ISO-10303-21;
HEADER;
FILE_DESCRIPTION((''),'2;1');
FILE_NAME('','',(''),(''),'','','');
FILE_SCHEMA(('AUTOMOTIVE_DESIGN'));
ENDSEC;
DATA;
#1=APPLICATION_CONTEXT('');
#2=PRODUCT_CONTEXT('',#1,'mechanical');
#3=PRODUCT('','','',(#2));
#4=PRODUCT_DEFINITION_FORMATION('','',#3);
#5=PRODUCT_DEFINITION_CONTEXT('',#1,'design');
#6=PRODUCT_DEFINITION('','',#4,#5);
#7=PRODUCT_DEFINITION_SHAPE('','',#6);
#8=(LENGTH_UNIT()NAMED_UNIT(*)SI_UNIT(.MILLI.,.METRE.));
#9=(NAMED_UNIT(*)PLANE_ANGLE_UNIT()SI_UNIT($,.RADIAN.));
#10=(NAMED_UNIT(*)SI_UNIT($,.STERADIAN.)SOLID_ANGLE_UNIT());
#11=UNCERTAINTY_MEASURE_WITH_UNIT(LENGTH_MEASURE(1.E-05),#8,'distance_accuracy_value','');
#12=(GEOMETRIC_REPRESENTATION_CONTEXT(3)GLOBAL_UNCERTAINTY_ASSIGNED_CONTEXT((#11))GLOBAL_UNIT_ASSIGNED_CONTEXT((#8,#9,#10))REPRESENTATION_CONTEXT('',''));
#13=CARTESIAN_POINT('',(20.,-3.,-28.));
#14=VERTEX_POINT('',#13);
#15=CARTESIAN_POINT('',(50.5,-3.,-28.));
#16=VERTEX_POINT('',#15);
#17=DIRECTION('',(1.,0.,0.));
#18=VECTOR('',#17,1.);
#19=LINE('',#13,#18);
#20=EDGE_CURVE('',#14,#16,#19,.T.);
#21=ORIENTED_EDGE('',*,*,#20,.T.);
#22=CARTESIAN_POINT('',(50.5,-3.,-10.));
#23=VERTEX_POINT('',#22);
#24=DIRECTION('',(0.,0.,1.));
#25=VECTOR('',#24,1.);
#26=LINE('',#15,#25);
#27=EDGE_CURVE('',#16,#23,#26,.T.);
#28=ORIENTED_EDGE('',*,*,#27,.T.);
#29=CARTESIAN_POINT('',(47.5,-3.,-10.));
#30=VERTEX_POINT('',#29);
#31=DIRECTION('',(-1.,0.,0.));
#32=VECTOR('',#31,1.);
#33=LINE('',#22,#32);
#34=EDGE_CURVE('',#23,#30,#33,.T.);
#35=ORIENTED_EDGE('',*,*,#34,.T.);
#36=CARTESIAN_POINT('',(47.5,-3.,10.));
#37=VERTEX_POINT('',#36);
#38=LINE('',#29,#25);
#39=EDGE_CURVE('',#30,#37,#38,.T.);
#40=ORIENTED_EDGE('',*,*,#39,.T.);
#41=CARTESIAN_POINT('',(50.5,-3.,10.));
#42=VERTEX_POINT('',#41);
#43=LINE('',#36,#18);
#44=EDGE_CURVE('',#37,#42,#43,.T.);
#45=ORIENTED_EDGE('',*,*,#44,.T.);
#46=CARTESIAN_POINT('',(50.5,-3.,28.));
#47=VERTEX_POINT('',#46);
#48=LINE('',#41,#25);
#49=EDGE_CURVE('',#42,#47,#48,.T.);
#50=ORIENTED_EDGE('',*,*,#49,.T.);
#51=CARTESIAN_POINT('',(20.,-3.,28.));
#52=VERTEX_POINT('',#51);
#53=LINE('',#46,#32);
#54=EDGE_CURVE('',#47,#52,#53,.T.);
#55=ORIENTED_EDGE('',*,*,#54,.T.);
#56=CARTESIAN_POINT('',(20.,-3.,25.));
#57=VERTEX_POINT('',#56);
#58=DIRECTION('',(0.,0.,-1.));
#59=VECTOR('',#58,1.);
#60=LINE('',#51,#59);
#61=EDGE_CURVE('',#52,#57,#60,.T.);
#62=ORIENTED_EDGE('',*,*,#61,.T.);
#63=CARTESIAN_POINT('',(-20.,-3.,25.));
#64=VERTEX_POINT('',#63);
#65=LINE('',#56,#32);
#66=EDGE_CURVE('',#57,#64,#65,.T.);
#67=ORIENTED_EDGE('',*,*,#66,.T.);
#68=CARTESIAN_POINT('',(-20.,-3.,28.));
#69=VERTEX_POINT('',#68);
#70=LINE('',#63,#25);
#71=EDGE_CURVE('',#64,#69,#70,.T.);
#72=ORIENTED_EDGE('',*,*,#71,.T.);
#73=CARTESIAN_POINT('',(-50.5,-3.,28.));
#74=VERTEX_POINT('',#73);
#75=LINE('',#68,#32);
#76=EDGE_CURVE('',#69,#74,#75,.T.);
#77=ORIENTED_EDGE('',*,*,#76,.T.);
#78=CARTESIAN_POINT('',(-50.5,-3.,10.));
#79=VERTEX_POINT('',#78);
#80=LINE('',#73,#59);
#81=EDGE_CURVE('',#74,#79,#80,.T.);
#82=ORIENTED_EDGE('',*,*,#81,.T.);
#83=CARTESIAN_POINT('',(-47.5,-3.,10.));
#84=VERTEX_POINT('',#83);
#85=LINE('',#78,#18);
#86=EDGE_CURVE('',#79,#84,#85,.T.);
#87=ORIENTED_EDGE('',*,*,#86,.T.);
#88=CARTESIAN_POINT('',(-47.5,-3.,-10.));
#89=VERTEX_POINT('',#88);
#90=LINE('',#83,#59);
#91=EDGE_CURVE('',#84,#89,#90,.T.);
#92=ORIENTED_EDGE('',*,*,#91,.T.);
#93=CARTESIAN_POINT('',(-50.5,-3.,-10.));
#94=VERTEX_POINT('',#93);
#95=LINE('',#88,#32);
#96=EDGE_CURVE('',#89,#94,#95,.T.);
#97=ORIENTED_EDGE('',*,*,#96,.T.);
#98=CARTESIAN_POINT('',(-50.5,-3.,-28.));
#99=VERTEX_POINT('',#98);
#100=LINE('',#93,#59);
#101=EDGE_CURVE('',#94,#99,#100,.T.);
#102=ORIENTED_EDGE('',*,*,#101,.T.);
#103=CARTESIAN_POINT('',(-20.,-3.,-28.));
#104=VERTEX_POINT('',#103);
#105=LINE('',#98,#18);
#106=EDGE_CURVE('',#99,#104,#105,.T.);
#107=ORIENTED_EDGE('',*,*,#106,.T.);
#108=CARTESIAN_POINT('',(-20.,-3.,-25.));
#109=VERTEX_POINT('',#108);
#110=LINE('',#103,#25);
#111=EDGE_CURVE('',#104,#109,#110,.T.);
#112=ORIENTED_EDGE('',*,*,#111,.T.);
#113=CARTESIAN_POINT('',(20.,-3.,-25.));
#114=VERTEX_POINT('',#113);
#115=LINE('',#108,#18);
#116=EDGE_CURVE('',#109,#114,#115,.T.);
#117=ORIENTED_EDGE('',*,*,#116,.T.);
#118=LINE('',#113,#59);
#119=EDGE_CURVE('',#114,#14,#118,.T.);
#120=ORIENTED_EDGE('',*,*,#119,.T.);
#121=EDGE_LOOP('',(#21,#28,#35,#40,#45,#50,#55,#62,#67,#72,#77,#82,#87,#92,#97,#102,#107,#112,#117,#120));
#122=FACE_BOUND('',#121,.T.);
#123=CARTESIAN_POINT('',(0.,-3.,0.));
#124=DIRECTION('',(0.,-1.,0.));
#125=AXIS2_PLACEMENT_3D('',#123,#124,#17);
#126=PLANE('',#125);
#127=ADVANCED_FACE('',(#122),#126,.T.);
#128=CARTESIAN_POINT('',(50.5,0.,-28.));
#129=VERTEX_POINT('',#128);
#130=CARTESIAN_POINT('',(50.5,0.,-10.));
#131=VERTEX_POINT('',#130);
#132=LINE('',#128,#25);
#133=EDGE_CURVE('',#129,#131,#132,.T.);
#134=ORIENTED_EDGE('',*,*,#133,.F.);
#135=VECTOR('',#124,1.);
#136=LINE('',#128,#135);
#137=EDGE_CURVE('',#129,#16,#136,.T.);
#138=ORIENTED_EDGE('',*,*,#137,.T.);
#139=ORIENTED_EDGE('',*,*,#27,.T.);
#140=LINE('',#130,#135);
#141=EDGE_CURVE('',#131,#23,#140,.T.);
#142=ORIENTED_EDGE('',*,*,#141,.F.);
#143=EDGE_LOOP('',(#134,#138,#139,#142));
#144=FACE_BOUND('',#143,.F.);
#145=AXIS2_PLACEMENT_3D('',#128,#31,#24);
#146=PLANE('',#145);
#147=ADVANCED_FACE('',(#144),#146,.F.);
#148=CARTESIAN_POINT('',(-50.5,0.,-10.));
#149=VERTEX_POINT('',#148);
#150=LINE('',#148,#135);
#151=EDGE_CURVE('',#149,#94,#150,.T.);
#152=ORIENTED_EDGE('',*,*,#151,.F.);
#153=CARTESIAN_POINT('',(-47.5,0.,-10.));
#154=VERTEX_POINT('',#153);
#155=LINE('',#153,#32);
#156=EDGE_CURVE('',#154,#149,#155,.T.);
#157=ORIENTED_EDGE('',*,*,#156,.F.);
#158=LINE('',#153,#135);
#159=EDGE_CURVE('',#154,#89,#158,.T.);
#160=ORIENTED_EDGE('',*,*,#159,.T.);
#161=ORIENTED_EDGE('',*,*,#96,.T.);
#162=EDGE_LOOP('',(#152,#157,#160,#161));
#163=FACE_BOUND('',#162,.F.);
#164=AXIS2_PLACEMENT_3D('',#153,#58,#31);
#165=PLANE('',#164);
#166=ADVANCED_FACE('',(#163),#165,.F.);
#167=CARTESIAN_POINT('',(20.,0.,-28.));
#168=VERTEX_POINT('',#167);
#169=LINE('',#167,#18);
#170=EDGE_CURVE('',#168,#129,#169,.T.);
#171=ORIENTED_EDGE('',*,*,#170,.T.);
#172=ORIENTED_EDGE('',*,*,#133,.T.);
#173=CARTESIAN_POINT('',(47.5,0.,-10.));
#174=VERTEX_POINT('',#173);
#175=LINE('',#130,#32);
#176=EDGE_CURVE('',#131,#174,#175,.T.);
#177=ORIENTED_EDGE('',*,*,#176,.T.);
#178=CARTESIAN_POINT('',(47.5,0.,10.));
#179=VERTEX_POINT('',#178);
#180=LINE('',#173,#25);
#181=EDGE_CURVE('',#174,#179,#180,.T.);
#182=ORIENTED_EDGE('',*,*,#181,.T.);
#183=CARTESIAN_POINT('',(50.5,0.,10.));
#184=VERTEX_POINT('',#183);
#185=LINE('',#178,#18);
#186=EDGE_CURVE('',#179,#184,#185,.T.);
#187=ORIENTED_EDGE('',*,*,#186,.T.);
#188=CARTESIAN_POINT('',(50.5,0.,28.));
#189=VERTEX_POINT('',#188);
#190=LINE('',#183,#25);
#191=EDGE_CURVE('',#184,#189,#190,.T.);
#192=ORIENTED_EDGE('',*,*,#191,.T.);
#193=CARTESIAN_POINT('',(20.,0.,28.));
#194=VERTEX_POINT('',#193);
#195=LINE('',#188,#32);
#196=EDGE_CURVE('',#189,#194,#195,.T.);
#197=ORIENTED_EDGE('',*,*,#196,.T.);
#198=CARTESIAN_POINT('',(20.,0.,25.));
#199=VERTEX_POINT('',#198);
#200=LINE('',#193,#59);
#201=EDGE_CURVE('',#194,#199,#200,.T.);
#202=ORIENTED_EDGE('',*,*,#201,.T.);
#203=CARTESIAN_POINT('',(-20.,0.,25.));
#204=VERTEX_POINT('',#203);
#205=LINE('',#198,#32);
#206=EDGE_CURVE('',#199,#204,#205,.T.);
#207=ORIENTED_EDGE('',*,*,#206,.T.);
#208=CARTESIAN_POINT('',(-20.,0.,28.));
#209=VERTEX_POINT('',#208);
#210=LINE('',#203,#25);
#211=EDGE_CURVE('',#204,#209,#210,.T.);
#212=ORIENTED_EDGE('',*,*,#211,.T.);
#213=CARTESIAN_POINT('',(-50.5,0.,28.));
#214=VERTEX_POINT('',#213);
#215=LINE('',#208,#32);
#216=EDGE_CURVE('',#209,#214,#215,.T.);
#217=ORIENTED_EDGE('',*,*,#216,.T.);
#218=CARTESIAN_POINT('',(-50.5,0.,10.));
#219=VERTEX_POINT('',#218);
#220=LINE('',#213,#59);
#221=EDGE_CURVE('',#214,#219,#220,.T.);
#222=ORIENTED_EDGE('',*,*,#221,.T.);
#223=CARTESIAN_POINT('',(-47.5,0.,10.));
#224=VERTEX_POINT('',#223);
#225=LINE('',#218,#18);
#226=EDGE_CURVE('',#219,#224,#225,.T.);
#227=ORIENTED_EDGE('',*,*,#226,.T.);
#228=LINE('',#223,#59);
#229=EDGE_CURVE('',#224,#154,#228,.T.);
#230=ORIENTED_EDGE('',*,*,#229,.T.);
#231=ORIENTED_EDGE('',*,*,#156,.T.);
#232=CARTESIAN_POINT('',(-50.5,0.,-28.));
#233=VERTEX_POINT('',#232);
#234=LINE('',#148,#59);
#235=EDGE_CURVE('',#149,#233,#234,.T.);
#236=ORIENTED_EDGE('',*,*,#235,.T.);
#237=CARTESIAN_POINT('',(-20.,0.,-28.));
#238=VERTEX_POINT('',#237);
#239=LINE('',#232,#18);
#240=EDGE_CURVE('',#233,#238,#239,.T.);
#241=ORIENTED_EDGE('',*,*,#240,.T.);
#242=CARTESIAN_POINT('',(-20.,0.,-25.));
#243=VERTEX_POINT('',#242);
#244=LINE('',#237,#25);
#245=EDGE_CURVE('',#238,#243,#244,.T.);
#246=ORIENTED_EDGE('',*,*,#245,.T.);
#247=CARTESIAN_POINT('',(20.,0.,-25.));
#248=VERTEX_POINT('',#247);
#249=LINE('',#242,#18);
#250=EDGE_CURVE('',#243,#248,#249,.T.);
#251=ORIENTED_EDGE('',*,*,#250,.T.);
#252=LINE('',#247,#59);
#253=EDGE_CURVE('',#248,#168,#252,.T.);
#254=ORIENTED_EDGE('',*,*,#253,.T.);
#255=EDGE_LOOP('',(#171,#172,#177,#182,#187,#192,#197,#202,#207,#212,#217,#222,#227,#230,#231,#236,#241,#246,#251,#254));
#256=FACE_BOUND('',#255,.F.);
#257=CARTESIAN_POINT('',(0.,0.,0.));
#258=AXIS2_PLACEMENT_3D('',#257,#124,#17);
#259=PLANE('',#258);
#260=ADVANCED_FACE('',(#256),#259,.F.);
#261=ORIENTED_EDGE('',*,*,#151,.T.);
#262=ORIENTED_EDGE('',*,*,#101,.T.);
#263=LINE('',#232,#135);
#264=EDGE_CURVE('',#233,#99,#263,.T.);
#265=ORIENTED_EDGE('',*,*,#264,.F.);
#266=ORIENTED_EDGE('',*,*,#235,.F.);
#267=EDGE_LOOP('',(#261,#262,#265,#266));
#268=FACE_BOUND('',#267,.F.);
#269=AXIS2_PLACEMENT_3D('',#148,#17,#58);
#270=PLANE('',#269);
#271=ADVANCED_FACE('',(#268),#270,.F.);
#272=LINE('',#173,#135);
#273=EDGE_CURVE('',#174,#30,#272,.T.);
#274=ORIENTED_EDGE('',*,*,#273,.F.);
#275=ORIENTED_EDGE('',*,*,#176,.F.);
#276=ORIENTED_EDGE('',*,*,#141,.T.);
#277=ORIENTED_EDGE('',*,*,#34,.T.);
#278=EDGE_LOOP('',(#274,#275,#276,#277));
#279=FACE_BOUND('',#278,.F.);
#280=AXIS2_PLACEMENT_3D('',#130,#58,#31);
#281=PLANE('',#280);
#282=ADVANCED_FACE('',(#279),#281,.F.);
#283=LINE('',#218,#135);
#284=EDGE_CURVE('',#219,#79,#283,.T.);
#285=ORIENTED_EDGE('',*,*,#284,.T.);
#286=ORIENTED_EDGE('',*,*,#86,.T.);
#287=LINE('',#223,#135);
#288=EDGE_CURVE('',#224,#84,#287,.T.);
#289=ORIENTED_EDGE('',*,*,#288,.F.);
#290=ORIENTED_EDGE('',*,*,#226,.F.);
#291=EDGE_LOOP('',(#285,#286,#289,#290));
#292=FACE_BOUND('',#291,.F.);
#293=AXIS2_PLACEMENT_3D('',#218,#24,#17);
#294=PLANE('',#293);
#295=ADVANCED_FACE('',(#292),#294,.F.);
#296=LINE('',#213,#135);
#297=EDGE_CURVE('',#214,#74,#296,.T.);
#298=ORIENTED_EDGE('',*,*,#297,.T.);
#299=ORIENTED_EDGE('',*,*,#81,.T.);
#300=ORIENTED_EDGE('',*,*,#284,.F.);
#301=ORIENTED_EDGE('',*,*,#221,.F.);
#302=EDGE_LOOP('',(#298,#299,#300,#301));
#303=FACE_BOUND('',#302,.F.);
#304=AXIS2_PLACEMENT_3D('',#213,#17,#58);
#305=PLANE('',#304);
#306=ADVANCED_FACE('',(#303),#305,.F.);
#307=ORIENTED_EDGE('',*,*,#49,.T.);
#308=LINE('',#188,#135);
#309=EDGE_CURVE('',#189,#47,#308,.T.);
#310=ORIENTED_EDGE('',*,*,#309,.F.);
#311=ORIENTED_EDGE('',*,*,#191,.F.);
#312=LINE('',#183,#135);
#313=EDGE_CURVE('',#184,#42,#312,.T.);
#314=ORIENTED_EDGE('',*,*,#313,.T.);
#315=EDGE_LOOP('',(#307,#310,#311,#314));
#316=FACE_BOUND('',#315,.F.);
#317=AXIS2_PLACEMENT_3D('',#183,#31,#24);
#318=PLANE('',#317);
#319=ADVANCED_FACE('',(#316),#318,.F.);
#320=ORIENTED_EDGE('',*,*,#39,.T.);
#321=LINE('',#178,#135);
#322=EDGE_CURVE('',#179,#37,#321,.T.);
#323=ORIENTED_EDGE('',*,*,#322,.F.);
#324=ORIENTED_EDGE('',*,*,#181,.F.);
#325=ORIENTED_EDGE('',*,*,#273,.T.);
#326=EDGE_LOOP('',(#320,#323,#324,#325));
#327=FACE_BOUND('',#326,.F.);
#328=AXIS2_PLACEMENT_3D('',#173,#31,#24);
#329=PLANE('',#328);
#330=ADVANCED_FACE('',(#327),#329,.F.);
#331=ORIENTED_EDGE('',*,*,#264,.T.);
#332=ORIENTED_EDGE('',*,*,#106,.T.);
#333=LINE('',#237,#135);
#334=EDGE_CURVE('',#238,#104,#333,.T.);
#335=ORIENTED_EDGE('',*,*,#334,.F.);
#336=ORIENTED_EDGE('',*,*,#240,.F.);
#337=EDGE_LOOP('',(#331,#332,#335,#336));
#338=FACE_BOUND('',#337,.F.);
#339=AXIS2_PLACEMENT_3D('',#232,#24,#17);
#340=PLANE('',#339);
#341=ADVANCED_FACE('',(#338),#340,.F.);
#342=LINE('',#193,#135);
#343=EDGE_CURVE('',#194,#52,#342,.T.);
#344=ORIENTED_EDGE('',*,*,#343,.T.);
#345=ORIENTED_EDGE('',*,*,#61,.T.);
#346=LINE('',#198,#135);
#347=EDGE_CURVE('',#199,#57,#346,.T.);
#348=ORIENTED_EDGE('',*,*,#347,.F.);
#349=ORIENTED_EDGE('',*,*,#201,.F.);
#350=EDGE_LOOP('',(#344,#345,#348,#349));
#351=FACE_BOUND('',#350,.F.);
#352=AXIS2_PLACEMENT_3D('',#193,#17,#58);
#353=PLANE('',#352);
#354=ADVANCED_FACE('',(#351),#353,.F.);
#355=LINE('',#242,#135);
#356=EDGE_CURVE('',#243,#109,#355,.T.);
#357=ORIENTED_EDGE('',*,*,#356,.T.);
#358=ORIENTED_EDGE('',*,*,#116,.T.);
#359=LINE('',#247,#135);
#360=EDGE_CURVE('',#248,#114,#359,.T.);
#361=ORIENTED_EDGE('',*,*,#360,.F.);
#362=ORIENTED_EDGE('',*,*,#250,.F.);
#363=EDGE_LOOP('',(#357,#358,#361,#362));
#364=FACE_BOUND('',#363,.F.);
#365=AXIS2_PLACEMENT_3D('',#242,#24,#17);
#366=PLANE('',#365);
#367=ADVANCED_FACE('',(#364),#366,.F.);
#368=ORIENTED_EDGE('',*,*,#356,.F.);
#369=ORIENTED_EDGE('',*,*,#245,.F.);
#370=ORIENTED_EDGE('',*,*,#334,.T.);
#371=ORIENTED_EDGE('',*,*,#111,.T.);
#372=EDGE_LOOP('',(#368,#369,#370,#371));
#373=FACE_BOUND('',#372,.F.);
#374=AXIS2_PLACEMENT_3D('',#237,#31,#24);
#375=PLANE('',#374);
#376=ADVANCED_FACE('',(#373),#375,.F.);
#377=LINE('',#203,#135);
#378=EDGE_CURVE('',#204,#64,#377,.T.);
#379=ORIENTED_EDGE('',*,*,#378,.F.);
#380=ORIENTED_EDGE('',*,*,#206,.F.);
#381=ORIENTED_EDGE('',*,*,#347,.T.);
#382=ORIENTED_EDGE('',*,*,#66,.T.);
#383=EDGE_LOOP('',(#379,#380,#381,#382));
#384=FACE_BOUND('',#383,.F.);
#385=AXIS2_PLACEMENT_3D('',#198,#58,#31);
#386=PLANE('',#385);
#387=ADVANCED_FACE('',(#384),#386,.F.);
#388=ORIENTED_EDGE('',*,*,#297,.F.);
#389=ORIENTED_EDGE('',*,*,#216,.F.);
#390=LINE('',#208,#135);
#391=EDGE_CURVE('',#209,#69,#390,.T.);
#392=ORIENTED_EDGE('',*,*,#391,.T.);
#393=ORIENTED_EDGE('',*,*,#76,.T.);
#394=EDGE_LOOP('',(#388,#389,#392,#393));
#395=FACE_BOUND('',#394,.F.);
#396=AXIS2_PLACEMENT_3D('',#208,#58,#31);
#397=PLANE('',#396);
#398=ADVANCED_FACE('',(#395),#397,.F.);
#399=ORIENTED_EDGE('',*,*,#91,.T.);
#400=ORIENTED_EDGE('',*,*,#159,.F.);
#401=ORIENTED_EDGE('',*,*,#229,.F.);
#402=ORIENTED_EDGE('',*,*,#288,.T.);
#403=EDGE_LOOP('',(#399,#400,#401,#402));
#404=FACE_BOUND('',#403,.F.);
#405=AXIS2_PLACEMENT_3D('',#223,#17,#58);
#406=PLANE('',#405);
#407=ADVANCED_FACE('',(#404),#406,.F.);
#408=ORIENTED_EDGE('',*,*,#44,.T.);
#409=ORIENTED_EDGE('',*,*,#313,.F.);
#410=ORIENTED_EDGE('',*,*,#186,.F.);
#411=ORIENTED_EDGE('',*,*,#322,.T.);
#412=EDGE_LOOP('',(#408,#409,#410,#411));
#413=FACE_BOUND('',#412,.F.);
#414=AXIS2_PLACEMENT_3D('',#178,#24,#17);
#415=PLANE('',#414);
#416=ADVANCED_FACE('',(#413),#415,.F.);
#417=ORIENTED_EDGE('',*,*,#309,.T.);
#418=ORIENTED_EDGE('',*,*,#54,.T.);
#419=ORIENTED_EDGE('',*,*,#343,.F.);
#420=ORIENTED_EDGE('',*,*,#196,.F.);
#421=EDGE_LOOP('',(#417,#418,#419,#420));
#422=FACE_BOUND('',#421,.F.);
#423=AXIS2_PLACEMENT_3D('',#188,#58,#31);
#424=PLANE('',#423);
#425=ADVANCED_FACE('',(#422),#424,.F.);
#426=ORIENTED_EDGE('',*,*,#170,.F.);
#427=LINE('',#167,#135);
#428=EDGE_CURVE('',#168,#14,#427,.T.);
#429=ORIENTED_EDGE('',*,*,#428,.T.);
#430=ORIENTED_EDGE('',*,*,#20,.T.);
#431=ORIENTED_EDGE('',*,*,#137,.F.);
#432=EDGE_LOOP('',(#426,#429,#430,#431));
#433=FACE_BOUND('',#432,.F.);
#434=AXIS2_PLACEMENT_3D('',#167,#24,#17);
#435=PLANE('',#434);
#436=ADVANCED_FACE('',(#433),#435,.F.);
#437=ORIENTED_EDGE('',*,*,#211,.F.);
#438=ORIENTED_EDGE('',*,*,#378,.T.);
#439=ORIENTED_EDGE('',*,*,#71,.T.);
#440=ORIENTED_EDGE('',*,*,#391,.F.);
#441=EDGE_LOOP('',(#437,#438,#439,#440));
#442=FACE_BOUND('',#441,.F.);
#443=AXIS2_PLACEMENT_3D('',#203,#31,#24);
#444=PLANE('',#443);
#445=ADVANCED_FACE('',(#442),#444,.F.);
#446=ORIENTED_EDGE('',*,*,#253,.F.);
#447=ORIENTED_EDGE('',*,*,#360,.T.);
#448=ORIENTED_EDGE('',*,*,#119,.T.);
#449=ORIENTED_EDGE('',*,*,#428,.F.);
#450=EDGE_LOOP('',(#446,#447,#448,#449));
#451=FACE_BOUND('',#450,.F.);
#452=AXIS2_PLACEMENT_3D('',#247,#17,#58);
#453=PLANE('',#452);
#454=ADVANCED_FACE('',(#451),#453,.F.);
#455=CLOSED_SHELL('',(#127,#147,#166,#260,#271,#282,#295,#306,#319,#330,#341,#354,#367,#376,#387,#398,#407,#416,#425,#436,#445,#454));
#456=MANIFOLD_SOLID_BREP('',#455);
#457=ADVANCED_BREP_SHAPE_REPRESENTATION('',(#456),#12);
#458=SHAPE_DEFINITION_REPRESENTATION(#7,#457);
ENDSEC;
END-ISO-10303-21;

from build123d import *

# Parameters (mm, degrees)
F1_DEPTH = 3


with BuildPart() as f1:
    # F0 (on Front) → F1 (new body)
    with BuildSketch(Plane.XZ):
        Polygon((20, 25), (0, 25), (-20, 25), (-20, 28), (-50.5, 28), (-50.5, 10), (-47.5, 10), (-47.5, 0), (-47.5, -10), (-50.5, -10), (-50.5, -28), (-20, -28), (-20, -25), (0, -25), (20, -25), (20, -28), (50.5, -28), (50.5, -10), (47.5, -10), (47.5, 0), (47.5, 10), (50.5, 10), (50.5, 28), (20, 28), align=None)
    extrude(amount=F1_DEPTH)


solid = f1.part
